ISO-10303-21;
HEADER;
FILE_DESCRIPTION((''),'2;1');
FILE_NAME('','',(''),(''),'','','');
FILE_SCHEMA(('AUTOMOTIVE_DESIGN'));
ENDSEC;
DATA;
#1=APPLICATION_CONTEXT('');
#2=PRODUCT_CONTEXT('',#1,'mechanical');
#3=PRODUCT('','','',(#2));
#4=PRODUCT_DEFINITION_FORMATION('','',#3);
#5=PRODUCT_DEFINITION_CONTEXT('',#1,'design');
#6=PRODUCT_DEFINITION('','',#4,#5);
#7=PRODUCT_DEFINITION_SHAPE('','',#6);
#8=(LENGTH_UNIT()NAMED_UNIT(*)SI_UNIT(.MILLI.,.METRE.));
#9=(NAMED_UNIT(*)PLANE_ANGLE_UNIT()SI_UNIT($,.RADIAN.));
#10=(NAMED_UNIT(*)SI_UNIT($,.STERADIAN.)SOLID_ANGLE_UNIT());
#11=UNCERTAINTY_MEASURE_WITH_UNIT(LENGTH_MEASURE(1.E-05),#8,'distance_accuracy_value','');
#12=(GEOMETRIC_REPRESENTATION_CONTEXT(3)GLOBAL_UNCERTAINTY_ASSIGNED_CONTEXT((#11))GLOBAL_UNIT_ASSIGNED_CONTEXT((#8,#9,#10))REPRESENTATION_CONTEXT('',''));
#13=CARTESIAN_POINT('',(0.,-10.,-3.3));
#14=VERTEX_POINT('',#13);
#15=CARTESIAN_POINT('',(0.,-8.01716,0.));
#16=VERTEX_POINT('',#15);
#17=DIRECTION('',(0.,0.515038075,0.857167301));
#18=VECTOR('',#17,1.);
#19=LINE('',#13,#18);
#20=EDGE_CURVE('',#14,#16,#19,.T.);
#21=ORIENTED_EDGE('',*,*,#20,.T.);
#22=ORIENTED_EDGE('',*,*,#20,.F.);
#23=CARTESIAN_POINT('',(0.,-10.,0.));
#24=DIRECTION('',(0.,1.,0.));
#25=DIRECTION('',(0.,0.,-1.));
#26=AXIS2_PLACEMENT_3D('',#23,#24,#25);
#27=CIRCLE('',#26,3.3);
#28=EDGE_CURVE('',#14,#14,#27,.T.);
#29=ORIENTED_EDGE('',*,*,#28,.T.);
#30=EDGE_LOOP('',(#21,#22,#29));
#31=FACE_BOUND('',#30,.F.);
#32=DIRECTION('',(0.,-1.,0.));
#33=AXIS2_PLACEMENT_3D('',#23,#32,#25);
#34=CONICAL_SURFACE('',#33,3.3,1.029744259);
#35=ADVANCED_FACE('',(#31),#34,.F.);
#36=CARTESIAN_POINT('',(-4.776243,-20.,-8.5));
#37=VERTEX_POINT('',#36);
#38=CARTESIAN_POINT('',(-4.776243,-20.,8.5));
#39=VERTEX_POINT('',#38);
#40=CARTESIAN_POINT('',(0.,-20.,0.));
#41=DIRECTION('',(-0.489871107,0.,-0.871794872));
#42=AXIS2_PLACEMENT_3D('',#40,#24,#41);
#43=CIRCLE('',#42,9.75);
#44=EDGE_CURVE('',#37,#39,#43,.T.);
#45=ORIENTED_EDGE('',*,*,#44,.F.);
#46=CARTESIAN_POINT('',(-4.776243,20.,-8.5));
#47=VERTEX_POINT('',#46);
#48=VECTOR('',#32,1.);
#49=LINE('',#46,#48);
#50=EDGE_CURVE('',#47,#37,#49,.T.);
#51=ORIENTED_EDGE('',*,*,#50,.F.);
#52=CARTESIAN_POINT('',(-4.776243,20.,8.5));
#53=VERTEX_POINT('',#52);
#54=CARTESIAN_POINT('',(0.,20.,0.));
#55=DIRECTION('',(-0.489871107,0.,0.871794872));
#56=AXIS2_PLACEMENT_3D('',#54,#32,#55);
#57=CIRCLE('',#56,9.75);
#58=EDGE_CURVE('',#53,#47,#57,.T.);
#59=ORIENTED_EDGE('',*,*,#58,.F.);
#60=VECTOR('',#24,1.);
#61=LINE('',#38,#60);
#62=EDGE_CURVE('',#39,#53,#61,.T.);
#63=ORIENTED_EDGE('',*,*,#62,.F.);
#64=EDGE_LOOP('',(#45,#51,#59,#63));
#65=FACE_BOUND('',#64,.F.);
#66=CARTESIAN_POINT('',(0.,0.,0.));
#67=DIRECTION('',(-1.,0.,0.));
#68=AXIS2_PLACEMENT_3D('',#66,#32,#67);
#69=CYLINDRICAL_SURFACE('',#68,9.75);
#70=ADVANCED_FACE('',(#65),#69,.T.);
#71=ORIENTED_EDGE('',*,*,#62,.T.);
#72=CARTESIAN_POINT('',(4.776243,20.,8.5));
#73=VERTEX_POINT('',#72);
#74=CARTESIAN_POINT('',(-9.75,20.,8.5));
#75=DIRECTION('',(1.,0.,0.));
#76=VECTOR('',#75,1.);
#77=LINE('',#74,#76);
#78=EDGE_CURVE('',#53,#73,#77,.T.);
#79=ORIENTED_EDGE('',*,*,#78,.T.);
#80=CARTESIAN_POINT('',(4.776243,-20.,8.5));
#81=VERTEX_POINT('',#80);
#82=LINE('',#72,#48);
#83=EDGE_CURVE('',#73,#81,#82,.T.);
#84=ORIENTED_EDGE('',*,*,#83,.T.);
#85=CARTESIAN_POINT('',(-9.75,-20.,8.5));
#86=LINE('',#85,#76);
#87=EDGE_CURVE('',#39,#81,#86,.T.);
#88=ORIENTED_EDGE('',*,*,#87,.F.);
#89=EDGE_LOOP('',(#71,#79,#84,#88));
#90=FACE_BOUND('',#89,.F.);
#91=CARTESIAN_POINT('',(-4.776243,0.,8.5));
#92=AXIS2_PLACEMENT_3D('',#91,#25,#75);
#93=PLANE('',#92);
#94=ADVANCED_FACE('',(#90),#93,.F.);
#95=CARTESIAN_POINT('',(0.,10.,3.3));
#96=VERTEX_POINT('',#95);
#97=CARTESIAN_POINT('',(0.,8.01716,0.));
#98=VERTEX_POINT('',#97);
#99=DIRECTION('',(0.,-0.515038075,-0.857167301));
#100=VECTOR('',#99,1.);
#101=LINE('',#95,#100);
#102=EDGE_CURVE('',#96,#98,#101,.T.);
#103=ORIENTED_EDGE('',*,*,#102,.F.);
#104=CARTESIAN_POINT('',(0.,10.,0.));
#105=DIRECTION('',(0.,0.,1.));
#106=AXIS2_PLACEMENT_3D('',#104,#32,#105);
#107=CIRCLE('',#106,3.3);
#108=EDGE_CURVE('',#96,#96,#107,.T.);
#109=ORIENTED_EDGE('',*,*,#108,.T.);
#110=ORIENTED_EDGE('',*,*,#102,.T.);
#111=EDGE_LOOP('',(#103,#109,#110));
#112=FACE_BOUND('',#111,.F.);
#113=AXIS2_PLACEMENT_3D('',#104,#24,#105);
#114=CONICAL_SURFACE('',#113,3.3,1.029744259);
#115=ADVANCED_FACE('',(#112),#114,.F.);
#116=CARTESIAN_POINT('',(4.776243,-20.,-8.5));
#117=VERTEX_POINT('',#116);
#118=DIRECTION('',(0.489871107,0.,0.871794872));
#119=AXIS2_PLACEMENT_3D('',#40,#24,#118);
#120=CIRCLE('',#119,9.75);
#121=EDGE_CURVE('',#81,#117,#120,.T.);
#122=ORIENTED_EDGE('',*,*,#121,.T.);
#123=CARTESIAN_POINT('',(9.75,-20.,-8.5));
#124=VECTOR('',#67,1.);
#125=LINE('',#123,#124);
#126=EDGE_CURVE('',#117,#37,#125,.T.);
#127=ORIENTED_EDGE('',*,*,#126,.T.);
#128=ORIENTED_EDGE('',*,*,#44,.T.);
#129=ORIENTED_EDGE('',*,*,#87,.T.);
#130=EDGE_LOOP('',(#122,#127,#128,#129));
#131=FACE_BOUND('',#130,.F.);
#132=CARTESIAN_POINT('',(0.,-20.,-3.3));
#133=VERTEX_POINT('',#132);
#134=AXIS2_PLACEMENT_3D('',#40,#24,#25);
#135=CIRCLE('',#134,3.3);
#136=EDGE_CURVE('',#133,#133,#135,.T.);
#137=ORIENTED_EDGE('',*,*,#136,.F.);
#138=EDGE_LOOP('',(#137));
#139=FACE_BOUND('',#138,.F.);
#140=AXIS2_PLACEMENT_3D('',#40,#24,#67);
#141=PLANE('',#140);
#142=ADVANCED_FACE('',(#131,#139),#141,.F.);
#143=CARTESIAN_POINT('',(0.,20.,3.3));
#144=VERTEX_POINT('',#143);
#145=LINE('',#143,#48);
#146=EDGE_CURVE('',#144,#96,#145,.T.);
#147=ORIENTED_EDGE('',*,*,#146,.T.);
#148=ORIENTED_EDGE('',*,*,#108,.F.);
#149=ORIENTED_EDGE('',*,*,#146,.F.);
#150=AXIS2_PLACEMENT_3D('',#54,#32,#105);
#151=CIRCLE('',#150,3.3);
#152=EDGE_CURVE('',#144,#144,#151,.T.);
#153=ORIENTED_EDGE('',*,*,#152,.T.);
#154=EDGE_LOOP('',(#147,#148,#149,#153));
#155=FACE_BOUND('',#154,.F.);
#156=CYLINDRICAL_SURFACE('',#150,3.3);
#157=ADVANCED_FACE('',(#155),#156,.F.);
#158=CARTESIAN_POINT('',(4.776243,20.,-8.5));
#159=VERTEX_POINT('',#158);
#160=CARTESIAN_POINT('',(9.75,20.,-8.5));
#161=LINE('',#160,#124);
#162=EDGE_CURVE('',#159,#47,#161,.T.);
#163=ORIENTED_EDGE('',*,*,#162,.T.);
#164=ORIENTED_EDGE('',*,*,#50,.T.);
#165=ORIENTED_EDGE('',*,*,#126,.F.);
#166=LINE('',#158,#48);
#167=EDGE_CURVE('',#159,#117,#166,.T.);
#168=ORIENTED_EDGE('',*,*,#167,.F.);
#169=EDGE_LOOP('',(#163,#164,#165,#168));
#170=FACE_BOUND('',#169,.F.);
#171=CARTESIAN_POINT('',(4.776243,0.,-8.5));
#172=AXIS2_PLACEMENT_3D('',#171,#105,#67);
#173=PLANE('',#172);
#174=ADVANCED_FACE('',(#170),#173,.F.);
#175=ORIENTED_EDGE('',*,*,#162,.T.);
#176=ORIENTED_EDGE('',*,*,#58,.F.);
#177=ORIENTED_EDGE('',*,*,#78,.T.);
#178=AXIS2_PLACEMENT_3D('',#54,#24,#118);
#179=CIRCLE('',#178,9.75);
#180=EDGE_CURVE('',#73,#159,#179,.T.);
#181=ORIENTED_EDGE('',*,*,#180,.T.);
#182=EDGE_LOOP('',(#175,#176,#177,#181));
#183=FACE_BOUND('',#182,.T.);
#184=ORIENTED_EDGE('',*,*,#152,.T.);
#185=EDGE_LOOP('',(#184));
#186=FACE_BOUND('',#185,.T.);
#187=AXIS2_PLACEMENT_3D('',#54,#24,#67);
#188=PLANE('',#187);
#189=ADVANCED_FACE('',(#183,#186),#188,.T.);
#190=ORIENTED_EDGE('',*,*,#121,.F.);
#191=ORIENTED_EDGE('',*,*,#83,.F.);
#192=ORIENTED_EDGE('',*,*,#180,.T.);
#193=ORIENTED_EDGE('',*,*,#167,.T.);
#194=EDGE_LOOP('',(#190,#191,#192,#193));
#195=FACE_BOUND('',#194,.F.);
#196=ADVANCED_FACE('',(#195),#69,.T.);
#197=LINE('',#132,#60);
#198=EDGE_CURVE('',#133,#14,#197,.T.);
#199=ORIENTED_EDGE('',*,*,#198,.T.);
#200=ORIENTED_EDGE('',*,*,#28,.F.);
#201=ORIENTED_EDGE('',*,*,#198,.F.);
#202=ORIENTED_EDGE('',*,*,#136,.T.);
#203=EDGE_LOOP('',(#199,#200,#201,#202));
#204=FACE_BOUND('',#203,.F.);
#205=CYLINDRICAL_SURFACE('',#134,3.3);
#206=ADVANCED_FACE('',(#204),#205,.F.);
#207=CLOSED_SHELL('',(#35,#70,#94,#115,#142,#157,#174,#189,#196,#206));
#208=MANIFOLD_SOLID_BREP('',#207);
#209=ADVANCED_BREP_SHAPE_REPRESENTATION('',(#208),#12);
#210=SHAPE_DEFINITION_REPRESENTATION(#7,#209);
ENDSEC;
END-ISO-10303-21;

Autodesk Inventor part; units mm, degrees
ref_plane "YZ Plane" through (0, 0, 0) normal (1, 0, 0) x (0, 1, 0)
ref_plane "XZ Plane" through (0, 0, 0) normal (0, 1, 0) x (-1, 0, 0)
ref_plane "XY Plane" through (0, 0, 0) normal (0, 0, 1) x (1, 0, 0)
sketch "Sketch1" plane through (0, 0, 0) normal (0, 1, 0) x (-1, 0, 0)
  circle A0 centre (0, 0) radius 9.75
  line L0 (-9.75, -8.5) -> (9.75, -8.5)
  line L1 (9.75, -8.5) -> (9.75, 8.5)
  line L2 (9.75, 8.5) -> (-9.75, 8.5)
  line L3 (-9.75, 8.5) -> (-9.75, -8.5)
  line L4 (-9.75, -8.5) -> (9.75, 8.5) construction
  line L5 (9.75, -8.5) -> (-9.75, 8.5) construction
  point P0 (4.7762, 8.5)
  point P1 (-4.7762, 8.5)
  point P2 (-4.7762, -8.5)
  point P3 (4.7762, -8.5)
  dimension "d18" = 19.5
  dimension "d19" = 17
extrude "Extrusion1" add sketch "Sketch1" along normal mid plane 40 contours A0 L0 L2
sketch "Sketch2" plane through (0, 20, 0) normal (0, 1, 0) x (1, 0, 0)
  point P0 (0, 0)
hole "Hole1" at (0, 20, 0) direction (0, -1, 0) diameter 6.6 depth 10 tip angle 118 clearance for "Countersunk Flat Head Screw ISO 2009/7046" size "M6" standard "ISO"
sketch "Sketch3" plane through (0, -20, 0) normal (0, -1, 0) x (1, 0, 0)
  point P0 (0, 0)
hole "Hole2" at (0, -20, 0) direction (0, 1, 0) diameter 6.6 depth 10 tip angle 118 clearance for "Countersunk Flat Head Screw ISO 2009/7046" size "M6" standard "ISO"
properties part number "SP35V1 Vastago Cierre"
